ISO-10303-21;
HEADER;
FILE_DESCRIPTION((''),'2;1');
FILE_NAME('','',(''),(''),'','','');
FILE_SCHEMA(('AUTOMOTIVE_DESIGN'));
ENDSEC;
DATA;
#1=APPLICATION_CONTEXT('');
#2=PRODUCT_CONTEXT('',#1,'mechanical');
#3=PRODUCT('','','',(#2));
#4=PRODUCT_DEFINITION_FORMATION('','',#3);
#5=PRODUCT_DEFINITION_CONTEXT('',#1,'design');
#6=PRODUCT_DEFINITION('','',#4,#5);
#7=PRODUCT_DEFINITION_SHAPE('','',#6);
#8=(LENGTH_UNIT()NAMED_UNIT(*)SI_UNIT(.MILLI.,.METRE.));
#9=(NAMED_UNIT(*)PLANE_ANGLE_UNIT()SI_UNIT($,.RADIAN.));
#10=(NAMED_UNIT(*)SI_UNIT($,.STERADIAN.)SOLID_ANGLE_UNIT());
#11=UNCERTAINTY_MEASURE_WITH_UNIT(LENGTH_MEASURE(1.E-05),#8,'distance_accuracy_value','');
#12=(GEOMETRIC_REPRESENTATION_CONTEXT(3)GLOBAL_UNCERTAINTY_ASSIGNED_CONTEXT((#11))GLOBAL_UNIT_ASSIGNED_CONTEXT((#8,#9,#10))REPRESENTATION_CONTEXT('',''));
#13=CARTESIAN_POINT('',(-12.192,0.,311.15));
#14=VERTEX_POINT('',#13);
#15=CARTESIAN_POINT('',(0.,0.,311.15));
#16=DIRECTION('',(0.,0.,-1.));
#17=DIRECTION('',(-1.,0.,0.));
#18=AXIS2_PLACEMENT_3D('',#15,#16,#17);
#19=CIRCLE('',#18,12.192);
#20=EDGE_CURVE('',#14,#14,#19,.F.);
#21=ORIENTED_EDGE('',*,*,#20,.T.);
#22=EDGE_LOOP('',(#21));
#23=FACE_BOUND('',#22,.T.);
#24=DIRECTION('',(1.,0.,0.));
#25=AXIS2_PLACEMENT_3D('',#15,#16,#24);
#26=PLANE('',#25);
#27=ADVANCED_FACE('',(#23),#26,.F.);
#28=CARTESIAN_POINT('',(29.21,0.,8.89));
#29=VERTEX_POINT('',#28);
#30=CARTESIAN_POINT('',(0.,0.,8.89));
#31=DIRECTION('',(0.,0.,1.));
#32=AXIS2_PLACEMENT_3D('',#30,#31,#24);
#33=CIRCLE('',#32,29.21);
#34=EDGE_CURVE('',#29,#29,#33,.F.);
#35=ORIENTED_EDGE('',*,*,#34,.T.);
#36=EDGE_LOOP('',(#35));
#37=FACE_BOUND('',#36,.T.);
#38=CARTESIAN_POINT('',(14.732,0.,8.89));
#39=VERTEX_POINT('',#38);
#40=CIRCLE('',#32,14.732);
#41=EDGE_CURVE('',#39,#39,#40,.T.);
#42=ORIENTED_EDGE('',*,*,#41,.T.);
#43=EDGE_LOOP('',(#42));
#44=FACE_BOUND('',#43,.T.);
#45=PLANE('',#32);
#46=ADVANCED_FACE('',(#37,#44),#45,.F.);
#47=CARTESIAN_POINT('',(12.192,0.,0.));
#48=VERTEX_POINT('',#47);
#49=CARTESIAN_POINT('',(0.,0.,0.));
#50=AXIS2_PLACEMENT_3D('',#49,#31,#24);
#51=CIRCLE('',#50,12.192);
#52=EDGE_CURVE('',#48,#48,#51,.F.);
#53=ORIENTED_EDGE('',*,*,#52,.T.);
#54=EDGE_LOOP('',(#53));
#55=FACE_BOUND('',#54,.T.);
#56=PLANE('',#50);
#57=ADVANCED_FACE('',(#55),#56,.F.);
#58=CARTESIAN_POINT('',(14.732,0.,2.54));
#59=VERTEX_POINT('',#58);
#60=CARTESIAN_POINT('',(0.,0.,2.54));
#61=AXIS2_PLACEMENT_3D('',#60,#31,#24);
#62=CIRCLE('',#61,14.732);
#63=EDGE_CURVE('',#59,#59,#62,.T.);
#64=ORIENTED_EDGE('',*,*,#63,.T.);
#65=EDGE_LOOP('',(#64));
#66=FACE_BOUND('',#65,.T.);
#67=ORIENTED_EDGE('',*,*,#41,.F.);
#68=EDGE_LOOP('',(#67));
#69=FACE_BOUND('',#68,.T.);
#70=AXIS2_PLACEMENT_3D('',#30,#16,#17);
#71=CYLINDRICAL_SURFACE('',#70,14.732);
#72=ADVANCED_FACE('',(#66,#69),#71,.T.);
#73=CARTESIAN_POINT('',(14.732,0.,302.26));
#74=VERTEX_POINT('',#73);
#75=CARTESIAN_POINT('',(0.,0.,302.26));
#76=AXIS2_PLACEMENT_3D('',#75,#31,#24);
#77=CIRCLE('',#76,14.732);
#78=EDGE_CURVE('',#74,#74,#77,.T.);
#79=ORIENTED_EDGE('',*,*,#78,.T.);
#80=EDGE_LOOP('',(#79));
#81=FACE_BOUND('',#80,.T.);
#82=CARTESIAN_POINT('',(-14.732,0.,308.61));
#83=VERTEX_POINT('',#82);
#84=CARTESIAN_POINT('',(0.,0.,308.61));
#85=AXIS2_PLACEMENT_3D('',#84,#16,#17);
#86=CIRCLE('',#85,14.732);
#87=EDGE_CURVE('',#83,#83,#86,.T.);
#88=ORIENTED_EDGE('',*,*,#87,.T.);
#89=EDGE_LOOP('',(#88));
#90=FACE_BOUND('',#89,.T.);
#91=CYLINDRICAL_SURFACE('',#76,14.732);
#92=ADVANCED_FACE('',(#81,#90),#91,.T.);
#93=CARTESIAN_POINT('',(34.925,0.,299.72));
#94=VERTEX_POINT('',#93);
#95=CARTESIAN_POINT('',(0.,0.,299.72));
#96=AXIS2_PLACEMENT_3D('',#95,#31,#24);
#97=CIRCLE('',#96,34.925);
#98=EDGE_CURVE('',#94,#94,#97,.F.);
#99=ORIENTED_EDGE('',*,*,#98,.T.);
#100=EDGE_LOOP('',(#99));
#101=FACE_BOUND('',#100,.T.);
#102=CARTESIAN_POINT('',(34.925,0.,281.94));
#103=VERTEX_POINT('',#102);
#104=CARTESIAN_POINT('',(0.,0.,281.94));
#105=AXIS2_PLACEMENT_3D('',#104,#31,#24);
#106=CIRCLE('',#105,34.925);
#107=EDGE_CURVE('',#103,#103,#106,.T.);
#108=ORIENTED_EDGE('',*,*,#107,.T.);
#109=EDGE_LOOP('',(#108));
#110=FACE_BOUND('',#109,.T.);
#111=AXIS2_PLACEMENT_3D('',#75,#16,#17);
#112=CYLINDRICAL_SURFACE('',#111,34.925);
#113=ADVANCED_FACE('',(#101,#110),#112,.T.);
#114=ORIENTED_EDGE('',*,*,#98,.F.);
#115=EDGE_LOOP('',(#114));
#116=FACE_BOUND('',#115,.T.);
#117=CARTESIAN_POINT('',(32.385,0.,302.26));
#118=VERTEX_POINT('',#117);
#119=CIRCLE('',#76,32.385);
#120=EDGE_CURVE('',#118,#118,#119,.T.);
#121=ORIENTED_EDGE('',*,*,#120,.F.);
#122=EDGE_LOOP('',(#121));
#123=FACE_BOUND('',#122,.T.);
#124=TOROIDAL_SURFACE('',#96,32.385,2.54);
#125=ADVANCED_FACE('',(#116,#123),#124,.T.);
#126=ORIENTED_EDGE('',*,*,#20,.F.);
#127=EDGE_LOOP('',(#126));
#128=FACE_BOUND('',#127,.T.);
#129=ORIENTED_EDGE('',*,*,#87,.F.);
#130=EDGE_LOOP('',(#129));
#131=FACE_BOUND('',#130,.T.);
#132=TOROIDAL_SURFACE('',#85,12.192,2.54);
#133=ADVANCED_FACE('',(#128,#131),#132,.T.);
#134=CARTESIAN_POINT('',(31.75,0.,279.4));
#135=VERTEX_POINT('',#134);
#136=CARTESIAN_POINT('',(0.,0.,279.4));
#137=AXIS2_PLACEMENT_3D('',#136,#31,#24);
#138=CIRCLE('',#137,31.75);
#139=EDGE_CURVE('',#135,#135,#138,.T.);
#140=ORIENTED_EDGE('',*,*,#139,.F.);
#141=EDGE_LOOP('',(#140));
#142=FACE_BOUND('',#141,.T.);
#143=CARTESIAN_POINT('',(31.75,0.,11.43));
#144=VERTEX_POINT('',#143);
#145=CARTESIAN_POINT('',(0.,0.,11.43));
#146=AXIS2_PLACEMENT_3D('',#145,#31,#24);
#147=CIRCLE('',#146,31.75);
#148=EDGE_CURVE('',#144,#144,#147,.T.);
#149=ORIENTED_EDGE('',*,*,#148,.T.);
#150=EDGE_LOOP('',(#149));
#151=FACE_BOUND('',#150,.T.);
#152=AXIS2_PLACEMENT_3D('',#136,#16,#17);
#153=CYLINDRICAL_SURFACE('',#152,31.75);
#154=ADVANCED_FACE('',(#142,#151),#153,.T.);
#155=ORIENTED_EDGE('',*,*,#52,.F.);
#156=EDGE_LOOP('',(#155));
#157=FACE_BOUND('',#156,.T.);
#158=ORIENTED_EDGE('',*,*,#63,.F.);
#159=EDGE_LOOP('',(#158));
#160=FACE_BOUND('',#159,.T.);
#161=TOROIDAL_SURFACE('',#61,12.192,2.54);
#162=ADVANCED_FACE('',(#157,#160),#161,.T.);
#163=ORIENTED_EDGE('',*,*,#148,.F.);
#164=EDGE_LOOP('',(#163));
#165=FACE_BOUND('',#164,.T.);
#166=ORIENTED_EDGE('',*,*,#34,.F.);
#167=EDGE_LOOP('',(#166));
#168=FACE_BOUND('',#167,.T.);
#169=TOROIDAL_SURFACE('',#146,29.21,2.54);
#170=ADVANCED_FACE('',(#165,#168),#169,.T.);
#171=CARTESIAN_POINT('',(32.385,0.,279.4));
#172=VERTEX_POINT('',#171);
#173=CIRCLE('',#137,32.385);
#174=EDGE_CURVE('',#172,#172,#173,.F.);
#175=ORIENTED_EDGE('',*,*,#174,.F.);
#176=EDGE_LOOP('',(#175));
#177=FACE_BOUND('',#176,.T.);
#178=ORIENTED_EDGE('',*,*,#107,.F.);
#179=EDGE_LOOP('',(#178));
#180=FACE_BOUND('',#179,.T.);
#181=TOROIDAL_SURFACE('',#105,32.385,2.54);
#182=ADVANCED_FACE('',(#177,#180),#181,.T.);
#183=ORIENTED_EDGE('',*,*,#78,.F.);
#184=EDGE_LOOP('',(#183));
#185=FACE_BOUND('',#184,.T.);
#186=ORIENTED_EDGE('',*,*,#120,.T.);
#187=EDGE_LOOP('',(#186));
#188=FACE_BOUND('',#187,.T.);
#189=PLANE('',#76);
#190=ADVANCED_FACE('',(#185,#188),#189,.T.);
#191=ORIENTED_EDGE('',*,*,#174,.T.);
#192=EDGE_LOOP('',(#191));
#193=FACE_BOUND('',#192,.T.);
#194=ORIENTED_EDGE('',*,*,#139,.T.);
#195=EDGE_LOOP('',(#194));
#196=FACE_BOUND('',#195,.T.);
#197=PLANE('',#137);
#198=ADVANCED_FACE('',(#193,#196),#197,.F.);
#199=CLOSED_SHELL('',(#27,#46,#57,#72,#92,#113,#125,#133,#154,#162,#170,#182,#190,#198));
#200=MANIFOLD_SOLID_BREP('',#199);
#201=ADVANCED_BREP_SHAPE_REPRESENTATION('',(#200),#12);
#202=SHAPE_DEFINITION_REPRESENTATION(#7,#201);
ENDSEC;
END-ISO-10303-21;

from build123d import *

# Parameters (mm, degrees)
SKETCH1_R           = 14.732
BOSS_EXTRUDE1_DEPTH = 8.89
SKETCH2_R           = 31.75
BOSS_EXTRUDE2_DEPTH = 270.51
SKETCH3_R           = 34.925
BOSS_EXTRUDE3_DEPTH = 22.86
FILLET1_R           = 2.54


with BuildPart() as part:
    # Sketch1 → Boss-Extrude1 (new body)
    with BuildSketch(Plane.XY):
        Circle(SKETCH1_R)
    boss_extrude1 = extrude(amount=BOSS_EXTRUDE1_DEPTH)

    # Sketch2 → Boss-Extrude2 (add)
    with BuildSketch(Plane.XY.offset(8.89)):
        Circle(SKETCH2_R)
    extrude(amount=BOSS_EXTRUDE2_DEPTH)

    # Sketch3 → Boss-Extrude3 (add)
    with BuildSketch(Plane.XY.offset(279.4)):
        Circle(SKETCH3_R)
    extrude(amount=BOSS_EXTRUDE3_DEPTH)

    # Mirror1: Boss-Extrude1 across plane
    add(boss_extrude1.mirror(Plane(origin=(0, 0, 155.575), x_dir=(1, 0, 0), z_dir=(0, 0, -1))))

    # Fillet1
    fillet1_edges = [part.edges().sort_by_distance(p)[0] for p in [
        (-14.732, 0, 311.15),
        (-14.732, 0, 0),
        (-31.75, 0, 8.89),
        (-34.925, 0, 279.4),
        (-34.925, 0, 302.26),
    ]]
    fillet(fillet1_edges, radius=FILLET1_R)


solid = part.part
